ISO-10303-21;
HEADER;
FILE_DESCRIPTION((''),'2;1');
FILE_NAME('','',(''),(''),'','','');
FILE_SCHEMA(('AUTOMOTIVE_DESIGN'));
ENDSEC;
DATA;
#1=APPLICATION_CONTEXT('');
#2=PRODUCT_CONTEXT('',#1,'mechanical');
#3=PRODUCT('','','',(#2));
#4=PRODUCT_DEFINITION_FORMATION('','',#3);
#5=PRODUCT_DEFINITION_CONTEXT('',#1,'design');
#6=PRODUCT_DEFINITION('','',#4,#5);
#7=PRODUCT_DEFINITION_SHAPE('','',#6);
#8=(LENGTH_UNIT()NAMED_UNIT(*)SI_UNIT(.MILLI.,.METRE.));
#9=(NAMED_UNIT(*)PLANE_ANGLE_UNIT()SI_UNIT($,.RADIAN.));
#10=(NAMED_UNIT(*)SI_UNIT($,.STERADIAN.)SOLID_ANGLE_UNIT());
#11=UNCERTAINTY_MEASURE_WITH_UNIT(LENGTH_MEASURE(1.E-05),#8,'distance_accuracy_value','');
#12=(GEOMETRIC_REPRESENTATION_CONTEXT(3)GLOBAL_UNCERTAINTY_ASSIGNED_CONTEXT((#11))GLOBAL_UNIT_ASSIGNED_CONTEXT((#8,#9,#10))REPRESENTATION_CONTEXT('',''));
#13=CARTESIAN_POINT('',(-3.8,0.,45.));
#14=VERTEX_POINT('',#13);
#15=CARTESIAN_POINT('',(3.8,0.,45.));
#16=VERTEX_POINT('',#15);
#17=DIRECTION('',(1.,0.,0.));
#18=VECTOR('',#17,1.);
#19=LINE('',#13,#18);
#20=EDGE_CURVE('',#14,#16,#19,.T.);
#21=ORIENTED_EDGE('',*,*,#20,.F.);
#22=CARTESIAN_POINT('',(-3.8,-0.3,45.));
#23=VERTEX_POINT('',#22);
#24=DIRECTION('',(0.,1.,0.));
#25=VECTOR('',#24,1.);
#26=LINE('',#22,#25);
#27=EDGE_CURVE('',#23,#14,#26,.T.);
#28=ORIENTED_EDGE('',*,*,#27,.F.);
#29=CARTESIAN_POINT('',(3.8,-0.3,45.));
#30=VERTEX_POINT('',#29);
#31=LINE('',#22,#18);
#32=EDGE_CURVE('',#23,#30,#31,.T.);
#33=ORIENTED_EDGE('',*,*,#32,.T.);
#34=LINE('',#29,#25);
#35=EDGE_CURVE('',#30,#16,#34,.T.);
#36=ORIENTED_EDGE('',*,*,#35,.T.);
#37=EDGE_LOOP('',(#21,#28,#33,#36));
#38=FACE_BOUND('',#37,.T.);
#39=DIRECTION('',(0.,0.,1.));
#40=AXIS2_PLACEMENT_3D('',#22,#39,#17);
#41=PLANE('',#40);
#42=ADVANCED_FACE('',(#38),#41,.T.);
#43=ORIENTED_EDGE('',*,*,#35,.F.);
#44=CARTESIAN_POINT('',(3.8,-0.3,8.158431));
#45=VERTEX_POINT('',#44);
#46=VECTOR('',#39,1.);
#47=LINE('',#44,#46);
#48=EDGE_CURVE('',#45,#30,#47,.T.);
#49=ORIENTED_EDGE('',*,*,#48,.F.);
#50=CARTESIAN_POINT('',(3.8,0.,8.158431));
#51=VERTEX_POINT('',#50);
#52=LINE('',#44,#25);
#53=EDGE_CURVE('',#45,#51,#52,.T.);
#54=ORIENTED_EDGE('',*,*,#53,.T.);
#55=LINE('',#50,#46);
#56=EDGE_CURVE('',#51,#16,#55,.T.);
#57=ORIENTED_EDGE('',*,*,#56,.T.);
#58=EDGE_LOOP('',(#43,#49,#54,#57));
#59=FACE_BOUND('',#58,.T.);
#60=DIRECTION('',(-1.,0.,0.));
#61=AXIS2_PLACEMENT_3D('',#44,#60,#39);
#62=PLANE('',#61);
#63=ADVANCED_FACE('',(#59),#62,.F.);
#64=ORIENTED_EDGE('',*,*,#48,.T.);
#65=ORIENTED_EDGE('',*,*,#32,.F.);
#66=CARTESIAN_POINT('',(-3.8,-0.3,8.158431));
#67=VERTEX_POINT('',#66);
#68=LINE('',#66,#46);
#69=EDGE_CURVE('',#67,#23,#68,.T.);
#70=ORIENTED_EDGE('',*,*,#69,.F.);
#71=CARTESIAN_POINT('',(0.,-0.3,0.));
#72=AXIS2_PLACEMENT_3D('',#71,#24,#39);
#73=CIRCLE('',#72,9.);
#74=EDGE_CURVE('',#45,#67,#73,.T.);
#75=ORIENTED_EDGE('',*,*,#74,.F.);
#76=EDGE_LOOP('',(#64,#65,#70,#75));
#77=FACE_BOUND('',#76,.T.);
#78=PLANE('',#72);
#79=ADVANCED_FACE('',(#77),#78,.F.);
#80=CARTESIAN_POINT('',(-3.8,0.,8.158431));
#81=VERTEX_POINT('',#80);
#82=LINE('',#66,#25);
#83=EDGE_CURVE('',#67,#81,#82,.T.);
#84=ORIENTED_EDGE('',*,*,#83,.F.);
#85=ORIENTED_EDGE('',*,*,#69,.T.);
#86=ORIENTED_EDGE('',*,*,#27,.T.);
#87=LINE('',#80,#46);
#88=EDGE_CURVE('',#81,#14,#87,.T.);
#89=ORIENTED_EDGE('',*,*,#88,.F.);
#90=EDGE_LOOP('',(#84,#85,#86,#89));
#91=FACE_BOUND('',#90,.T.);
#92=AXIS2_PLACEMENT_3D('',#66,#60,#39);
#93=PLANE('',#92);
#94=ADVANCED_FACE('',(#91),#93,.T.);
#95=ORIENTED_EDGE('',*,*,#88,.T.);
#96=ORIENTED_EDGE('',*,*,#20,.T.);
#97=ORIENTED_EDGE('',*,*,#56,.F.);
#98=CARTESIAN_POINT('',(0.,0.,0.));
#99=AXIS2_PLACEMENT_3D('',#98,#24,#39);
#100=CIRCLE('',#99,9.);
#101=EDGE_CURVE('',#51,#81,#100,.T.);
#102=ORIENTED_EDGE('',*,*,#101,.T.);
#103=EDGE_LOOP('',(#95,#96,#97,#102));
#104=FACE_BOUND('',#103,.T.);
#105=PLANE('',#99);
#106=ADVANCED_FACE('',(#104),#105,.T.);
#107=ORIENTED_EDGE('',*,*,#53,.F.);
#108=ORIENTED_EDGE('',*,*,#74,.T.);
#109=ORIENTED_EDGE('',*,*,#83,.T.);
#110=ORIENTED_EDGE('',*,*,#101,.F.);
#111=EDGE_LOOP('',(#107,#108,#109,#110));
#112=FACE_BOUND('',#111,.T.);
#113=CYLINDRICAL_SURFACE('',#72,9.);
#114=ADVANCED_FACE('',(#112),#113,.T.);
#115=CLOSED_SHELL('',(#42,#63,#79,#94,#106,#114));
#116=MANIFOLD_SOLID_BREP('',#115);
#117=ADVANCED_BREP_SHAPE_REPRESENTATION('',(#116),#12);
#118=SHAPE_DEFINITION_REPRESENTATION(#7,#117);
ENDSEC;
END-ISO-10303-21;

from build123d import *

# Parameters (mm, degrees)
BOSS_EXTRUDE1_DEPTH = 0.3


with BuildPart() as part:
    # Sketch2 → Boss-Extrude1 (new body)
    with BuildSketch(Plane(origin=(0, 0, 0), x_dir=(1, 0, 0), z_dir=(0, 1, 0))):
        with BuildLine():
            Line((-3.8, -8.158431222), (-3.8, -45))
            Line((-3.8, -45), (3.8, -45))
            Line((3.8, -45), (3.8, -8.158431222))
            ThreePointArc((3.8, -8.158431222), (0, 9), (-3.8, -8.158431222))
        make_face()
    extrude(amount=-BOSS_EXTRUDE1_DEPTH)


solid = part.part
